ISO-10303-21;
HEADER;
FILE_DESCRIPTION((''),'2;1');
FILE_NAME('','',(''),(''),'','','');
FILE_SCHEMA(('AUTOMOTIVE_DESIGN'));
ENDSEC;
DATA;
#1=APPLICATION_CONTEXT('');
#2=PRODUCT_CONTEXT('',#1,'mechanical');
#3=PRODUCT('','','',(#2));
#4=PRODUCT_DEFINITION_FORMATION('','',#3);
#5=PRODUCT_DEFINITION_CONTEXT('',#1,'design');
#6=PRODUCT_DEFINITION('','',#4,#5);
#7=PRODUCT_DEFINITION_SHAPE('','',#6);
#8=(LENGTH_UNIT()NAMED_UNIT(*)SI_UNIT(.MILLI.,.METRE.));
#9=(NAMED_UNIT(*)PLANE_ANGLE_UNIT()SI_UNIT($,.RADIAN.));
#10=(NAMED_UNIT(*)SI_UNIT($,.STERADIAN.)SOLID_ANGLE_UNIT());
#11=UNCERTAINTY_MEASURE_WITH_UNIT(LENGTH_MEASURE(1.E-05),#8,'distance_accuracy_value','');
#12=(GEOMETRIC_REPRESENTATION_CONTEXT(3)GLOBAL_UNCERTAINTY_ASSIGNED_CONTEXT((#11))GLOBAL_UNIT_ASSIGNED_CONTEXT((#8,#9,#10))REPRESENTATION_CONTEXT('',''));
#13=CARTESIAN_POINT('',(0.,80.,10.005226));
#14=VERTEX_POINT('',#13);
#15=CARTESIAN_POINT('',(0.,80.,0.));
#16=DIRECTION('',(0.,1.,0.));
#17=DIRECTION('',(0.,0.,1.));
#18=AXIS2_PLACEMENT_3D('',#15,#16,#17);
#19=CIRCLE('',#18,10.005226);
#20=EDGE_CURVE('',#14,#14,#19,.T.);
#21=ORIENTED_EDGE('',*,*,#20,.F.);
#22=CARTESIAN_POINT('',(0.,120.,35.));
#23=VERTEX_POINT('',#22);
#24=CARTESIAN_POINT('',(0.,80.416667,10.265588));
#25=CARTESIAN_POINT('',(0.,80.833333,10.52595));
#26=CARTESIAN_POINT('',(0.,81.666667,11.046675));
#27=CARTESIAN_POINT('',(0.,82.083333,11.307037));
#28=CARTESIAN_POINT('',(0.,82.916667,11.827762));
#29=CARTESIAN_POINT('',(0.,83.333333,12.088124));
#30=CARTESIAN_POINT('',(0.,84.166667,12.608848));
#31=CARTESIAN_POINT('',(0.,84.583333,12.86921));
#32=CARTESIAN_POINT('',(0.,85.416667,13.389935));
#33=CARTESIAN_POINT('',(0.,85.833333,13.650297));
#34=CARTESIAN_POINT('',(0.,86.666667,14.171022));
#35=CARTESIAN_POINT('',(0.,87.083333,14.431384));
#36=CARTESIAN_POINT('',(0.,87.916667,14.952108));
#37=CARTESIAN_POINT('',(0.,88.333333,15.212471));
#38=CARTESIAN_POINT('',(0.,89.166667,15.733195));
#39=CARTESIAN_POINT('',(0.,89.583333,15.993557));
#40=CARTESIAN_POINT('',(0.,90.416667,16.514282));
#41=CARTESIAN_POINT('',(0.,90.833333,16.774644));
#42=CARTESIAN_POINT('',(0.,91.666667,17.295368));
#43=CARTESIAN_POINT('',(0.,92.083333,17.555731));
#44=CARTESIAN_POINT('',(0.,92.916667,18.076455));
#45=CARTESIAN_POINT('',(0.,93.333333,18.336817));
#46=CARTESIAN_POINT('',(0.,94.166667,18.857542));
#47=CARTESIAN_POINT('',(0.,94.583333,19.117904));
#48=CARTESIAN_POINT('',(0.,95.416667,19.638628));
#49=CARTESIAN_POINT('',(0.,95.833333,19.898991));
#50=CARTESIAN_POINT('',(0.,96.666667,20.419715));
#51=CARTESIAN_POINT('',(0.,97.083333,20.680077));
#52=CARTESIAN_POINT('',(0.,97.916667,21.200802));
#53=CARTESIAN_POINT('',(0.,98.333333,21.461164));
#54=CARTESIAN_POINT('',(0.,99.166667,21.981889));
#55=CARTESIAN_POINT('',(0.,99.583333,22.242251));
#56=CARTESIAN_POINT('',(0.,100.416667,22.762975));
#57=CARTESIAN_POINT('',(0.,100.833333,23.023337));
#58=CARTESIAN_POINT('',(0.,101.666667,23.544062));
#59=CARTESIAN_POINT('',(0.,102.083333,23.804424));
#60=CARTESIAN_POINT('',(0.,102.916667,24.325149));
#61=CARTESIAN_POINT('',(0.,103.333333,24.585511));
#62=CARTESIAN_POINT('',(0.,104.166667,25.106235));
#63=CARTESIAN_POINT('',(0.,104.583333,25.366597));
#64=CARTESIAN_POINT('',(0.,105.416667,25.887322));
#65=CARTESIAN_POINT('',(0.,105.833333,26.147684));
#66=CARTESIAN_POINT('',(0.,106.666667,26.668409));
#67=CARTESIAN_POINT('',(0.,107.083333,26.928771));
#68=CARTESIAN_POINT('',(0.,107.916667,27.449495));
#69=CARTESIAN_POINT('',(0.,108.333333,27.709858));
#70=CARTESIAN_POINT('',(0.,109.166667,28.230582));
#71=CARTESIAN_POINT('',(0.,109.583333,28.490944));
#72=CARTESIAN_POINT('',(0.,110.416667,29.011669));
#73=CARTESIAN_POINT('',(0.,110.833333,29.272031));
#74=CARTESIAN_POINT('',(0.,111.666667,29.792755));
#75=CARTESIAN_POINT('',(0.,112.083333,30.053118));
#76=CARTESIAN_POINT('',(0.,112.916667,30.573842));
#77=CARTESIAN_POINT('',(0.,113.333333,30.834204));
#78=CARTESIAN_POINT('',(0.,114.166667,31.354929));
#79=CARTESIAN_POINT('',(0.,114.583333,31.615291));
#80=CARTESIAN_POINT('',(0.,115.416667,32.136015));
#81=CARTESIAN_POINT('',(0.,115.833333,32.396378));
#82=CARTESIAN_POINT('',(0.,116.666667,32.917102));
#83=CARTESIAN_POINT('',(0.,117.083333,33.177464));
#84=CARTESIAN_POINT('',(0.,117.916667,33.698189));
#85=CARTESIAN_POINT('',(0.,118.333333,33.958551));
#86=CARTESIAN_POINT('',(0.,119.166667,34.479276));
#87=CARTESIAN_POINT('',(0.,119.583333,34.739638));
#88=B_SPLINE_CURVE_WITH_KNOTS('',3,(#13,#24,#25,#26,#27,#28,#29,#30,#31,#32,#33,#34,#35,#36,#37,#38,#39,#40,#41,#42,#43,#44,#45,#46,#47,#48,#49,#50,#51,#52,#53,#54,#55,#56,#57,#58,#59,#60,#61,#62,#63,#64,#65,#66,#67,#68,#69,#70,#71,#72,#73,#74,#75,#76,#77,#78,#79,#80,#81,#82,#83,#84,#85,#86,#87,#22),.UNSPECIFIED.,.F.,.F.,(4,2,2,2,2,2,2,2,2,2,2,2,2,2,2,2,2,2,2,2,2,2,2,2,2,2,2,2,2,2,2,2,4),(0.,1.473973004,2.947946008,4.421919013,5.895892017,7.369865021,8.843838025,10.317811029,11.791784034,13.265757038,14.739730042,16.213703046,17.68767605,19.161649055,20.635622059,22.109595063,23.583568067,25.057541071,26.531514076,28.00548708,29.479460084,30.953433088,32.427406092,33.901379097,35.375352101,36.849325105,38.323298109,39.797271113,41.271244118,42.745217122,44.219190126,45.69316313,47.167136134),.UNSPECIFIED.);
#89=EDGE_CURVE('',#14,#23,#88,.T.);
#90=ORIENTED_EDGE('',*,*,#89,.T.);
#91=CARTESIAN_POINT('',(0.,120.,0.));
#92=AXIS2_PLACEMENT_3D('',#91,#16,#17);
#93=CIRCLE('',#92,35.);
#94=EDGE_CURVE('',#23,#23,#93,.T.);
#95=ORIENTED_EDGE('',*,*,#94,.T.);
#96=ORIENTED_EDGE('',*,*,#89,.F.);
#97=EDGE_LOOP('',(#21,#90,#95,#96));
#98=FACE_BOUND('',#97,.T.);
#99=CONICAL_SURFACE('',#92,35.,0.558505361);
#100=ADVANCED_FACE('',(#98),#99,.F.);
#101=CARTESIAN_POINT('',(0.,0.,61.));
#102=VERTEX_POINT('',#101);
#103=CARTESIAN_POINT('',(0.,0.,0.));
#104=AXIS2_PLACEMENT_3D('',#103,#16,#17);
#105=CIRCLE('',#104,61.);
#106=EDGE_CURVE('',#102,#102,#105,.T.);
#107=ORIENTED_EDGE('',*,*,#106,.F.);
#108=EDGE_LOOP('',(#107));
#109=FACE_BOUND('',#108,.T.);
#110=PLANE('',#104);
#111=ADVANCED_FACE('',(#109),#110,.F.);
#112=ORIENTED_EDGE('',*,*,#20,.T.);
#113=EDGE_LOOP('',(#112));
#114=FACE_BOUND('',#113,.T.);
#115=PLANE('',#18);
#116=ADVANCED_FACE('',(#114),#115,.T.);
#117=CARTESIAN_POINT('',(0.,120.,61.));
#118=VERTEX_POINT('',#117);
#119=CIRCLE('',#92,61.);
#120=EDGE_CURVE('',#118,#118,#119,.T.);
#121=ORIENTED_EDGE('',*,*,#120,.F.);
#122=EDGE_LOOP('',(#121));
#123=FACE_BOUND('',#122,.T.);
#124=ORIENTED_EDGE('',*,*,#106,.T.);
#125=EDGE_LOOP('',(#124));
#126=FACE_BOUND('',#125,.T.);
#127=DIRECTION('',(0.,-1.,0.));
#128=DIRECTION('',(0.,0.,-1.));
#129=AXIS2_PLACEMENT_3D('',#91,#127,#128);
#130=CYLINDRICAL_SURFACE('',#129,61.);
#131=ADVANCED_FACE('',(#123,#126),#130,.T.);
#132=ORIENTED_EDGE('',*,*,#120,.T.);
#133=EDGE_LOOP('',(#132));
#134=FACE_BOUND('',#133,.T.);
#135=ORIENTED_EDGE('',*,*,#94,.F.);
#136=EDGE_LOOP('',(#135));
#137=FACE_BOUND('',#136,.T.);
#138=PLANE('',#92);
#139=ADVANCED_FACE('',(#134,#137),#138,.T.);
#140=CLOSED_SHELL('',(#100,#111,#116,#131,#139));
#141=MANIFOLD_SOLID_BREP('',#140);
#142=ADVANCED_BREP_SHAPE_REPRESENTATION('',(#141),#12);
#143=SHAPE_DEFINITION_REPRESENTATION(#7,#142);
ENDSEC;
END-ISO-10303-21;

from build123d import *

# Parameters (mm, degrees)
SKETCH_1_R          = 61
EXTRUDE_1_DEPTH     = 120
SKETCH_2_R          = 35
CUT_EXTRUDE_1_DEPTH = 40
CUT_EXTRUDE_1_DRAFT = -32


with BuildPart() as part:
    # Эскиз1 → Бобышка-Вытянуть1 (new body)
    with BuildSketch(Plane(origin=(0, 0, 0), x_dir=(1, 0, 0), z_dir=(0, 1, 0))):
        with Locations(Location((0, 0, 0), (0, 0, 270))):
            Circle(SKETCH_1_R)
    extrude(amount=EXTRUDE_1_DEPTH)


with BuildPart() as cut_extrude_1_tool:
    # Эскиз2 → Вырез-Вытянуть1 (with draft: the straight prism first)
    with BuildSketch(Plane(origin=(0, 120, 0), x_dir=(1, 0, 0), z_dir=(0, 1, 0))):
        Circle(SKETCH_2_R)
    extrude(amount=-CUT_EXTRUDE_1_DEPTH)
    # Вырез-Вытянуть1: the draft: its side faces are tilted about the plane it starts from
    cut_extrude_1_sides = [cut_extrude_1_tool.faces().sort_by_distance(p)[0] for p in [
        (-35, 100, 0),
    ]]
    draft(cut_extrude_1_sides, Plane(origin=(0, 120, 0), x_dir=(1, 0, 0), z_dir=(0, 1, 0)), CUT_EXTRUDE_1_DRAFT)


with BuildPart() as part_1:
    add(part.part)

    # Вырез-Вытянуть1: cut by cut_extrude_1_tool
    add(cut_extrude_1_tool.part, mode=Mode.SUBTRACT)


solid = part_1.part
